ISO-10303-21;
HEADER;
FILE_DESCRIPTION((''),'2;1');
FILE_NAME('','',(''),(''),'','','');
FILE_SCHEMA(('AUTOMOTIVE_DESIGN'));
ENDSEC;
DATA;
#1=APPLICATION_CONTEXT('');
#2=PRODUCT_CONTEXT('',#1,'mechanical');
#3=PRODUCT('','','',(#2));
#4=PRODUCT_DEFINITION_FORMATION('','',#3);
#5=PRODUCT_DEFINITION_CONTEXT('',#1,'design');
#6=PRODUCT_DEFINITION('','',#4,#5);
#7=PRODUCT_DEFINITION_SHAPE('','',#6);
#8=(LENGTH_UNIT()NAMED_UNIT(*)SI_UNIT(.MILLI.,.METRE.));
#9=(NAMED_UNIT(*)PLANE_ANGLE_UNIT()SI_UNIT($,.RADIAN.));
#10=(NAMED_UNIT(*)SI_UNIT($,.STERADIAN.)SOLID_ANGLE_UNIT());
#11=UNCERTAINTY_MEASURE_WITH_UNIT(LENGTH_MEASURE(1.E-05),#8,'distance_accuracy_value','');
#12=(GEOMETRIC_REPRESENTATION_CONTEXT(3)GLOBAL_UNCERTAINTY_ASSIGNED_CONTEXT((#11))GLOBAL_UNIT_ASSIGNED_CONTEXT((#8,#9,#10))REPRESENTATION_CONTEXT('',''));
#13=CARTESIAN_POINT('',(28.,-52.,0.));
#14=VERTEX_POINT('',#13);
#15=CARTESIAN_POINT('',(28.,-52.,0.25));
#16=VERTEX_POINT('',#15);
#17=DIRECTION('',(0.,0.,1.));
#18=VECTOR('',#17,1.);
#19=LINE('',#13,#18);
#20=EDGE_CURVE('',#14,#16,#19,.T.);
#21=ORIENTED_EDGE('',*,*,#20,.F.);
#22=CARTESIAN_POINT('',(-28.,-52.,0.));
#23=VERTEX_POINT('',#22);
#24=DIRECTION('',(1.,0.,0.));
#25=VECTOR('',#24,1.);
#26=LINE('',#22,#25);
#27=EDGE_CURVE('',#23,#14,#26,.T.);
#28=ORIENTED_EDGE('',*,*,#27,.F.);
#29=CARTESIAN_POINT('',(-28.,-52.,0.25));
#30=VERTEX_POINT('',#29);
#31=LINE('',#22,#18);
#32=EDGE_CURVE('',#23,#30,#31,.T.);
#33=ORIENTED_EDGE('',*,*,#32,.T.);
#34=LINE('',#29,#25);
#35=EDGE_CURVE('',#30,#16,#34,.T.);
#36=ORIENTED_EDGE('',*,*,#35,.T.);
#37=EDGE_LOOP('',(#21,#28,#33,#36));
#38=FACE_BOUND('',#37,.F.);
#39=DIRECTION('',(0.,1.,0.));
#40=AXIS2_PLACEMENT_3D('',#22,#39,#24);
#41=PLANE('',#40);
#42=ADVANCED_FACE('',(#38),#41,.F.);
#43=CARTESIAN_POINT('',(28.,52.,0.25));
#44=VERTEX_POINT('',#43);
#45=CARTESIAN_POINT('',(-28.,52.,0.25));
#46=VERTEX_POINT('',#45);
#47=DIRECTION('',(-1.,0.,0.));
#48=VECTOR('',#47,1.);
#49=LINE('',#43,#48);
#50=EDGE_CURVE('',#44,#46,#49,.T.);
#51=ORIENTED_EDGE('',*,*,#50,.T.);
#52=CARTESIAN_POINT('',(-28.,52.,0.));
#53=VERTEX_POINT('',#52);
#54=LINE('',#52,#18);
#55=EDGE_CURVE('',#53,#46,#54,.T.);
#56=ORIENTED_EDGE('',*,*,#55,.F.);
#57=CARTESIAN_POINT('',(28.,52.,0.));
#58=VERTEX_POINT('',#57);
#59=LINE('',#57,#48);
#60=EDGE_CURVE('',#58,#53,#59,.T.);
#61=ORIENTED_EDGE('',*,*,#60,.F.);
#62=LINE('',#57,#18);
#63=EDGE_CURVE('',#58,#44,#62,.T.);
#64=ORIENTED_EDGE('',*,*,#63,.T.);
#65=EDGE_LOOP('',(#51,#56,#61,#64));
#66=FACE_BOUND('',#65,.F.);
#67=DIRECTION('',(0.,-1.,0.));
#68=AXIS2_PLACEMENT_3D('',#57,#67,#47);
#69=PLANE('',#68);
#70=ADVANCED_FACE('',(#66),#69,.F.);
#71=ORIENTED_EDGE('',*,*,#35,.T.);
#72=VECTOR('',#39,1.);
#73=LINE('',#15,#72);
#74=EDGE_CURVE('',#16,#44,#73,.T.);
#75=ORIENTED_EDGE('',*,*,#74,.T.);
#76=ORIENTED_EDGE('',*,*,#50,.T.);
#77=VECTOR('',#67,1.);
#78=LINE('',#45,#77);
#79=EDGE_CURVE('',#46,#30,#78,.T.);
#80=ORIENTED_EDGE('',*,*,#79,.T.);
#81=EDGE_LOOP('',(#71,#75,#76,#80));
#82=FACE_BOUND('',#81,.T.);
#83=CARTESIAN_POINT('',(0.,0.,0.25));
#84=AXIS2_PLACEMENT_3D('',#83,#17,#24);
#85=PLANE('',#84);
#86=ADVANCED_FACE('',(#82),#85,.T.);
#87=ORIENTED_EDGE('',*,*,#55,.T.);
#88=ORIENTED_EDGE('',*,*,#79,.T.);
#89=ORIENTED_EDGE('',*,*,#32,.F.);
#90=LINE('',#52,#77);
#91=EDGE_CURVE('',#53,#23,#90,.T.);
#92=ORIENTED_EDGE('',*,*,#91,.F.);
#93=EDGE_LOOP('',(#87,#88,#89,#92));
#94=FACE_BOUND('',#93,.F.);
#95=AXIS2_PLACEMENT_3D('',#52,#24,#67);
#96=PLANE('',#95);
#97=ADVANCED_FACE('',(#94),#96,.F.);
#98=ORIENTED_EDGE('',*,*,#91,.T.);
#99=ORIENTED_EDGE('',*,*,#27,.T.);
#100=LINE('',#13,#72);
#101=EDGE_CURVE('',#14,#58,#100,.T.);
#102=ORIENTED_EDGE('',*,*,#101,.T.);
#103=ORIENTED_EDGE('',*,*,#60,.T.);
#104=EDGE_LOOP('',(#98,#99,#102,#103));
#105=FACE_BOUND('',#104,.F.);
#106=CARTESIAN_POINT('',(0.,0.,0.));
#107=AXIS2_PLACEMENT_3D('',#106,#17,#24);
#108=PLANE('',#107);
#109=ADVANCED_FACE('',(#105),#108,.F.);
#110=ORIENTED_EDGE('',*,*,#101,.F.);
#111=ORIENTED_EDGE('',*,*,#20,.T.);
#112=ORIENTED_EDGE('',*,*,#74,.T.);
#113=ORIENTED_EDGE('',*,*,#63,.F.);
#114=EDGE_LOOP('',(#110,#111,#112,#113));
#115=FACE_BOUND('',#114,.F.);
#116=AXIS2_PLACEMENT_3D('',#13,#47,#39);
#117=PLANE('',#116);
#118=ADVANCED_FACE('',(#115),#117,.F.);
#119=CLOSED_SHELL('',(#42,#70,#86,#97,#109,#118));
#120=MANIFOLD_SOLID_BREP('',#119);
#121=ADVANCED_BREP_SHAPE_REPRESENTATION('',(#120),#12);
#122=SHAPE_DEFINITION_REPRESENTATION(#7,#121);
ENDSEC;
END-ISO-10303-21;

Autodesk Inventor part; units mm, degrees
ref_plane "YZ Plane" through (0, 0, 0) normal (1, 0, 0) x (0, 1, 0)
ref_plane "XZ Plane" through (0, 0, 0) normal (0, 1, 0) x (-1, 0, 0)
ref_plane "XY Plane" through (0, 0, 0) normal (0, 0, 1) x (1, 0, 0)
sketch "Skizze1" plane through (0, 0, 0) normal (0, 0, 1) x (1, 0, 0)
  line L0 (-28, -52) -> (28, -52)
  line L1 (28, -52) -> (28, 52)
  line L2 (28, 52) -> (-28, 52)
  line L3 (-28, 52) -> (-28, -52)
  line L4 (-28, -52) -> (28, 52) construction
  line L5 (28, -52) -> (-28, 52) construction
  point P0 (0, 0)
  dimension "d0" = 56
  dimension "d1" = 104
extrude "Extrusion1" add sketch "Skizze1" along normal blind 0.25
properties part number "Papier Teamfarbe"
